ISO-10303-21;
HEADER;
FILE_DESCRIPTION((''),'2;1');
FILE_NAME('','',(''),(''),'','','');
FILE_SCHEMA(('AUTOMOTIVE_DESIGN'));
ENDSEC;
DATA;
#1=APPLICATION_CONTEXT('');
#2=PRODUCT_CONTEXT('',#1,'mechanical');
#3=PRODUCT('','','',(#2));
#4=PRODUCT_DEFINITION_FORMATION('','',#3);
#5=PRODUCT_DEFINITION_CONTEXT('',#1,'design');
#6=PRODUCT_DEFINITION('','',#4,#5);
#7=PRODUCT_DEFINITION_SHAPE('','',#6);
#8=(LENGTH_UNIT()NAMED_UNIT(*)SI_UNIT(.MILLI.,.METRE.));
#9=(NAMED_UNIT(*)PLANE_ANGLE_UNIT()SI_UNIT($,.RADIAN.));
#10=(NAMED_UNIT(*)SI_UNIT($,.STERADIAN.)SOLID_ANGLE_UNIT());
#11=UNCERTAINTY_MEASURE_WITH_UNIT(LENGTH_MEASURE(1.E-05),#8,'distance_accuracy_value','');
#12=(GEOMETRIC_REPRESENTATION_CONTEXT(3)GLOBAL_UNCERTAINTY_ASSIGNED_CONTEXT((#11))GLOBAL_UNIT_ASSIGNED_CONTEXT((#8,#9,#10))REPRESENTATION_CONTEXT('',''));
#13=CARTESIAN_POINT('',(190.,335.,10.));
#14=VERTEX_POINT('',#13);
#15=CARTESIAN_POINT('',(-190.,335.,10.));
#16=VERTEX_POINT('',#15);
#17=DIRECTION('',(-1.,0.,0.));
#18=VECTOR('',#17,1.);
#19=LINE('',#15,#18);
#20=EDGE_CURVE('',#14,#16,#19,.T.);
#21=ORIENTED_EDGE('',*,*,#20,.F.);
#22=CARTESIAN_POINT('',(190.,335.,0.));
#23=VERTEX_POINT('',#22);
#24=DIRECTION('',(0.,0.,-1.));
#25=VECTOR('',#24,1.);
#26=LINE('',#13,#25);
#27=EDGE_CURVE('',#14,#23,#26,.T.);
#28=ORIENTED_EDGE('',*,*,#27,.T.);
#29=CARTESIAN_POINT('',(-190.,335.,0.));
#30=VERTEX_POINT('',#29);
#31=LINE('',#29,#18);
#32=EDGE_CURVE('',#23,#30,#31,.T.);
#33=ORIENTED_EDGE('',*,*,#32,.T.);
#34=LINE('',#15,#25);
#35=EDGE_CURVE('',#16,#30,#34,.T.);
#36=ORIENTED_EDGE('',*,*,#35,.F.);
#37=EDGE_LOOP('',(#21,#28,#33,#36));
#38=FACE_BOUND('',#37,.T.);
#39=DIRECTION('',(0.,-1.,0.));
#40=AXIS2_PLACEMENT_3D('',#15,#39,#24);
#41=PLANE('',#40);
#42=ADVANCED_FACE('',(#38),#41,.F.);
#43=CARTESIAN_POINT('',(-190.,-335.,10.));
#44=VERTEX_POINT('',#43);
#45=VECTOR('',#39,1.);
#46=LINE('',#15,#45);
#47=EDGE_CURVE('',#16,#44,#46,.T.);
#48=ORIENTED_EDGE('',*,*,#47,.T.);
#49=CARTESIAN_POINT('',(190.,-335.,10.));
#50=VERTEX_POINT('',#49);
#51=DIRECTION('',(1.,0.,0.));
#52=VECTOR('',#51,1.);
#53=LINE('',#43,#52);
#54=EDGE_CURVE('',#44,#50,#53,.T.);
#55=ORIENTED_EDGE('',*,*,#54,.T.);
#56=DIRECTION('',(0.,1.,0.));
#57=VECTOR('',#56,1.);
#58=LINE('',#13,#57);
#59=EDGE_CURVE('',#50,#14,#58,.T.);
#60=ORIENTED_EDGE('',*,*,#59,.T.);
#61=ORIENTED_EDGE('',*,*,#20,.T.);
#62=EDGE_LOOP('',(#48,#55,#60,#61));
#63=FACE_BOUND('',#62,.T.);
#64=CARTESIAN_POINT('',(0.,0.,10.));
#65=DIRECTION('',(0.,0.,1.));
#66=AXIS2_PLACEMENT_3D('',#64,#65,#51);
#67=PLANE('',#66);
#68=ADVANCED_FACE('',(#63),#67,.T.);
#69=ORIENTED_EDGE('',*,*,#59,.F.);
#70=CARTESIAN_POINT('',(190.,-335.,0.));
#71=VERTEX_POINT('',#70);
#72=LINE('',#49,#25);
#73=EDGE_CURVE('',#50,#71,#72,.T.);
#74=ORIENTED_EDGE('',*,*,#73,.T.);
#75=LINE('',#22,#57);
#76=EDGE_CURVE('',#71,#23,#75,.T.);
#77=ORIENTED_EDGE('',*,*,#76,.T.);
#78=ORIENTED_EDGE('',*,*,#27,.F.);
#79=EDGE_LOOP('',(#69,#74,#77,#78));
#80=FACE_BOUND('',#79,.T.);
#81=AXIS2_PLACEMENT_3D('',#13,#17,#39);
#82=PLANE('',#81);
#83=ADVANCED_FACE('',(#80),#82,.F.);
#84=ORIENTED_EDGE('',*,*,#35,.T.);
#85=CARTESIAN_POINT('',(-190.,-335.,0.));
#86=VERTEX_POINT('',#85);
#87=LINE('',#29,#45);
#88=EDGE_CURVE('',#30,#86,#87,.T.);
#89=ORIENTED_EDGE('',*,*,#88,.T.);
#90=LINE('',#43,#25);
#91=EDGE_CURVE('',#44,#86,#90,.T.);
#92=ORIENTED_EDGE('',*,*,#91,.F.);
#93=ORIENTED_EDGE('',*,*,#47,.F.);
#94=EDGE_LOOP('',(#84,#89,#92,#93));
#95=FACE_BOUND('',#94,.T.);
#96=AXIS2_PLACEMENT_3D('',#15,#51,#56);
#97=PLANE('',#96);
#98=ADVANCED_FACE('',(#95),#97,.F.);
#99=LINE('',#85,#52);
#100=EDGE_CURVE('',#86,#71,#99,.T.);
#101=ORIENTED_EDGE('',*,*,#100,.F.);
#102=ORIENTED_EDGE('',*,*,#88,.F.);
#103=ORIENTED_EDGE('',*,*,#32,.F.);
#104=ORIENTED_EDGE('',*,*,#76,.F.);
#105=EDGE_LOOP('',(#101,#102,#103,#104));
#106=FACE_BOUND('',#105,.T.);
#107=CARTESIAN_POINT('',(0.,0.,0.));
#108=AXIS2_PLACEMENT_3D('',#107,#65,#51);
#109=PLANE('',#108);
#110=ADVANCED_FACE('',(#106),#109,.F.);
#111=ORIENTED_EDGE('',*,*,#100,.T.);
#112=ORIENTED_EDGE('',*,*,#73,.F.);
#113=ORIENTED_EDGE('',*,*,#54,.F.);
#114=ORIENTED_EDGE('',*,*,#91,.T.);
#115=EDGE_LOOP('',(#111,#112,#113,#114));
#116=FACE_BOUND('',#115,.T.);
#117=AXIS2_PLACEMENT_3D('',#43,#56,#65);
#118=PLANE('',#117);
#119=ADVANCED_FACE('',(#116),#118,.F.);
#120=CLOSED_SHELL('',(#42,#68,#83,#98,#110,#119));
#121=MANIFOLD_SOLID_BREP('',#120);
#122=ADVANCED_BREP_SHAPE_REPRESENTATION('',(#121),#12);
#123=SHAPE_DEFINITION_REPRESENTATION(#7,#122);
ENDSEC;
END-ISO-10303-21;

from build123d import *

# Parameters (mm, degrees)
ESQUISSE1_W        = 380
ESQUISSE1_H        = 670
BOSS_EXTRU_1_DEPTH = 10


with BuildPart() as part:
    # Esquisse1 → Boss.-Extru.1 (new body)
    with BuildSketch(Plane.XY):
        Rectangle(ESQUISSE1_W, ESQUISSE1_H)
    extrude(amount=BOSS_EXTRU_1_DEPTH)


solid = part.part
